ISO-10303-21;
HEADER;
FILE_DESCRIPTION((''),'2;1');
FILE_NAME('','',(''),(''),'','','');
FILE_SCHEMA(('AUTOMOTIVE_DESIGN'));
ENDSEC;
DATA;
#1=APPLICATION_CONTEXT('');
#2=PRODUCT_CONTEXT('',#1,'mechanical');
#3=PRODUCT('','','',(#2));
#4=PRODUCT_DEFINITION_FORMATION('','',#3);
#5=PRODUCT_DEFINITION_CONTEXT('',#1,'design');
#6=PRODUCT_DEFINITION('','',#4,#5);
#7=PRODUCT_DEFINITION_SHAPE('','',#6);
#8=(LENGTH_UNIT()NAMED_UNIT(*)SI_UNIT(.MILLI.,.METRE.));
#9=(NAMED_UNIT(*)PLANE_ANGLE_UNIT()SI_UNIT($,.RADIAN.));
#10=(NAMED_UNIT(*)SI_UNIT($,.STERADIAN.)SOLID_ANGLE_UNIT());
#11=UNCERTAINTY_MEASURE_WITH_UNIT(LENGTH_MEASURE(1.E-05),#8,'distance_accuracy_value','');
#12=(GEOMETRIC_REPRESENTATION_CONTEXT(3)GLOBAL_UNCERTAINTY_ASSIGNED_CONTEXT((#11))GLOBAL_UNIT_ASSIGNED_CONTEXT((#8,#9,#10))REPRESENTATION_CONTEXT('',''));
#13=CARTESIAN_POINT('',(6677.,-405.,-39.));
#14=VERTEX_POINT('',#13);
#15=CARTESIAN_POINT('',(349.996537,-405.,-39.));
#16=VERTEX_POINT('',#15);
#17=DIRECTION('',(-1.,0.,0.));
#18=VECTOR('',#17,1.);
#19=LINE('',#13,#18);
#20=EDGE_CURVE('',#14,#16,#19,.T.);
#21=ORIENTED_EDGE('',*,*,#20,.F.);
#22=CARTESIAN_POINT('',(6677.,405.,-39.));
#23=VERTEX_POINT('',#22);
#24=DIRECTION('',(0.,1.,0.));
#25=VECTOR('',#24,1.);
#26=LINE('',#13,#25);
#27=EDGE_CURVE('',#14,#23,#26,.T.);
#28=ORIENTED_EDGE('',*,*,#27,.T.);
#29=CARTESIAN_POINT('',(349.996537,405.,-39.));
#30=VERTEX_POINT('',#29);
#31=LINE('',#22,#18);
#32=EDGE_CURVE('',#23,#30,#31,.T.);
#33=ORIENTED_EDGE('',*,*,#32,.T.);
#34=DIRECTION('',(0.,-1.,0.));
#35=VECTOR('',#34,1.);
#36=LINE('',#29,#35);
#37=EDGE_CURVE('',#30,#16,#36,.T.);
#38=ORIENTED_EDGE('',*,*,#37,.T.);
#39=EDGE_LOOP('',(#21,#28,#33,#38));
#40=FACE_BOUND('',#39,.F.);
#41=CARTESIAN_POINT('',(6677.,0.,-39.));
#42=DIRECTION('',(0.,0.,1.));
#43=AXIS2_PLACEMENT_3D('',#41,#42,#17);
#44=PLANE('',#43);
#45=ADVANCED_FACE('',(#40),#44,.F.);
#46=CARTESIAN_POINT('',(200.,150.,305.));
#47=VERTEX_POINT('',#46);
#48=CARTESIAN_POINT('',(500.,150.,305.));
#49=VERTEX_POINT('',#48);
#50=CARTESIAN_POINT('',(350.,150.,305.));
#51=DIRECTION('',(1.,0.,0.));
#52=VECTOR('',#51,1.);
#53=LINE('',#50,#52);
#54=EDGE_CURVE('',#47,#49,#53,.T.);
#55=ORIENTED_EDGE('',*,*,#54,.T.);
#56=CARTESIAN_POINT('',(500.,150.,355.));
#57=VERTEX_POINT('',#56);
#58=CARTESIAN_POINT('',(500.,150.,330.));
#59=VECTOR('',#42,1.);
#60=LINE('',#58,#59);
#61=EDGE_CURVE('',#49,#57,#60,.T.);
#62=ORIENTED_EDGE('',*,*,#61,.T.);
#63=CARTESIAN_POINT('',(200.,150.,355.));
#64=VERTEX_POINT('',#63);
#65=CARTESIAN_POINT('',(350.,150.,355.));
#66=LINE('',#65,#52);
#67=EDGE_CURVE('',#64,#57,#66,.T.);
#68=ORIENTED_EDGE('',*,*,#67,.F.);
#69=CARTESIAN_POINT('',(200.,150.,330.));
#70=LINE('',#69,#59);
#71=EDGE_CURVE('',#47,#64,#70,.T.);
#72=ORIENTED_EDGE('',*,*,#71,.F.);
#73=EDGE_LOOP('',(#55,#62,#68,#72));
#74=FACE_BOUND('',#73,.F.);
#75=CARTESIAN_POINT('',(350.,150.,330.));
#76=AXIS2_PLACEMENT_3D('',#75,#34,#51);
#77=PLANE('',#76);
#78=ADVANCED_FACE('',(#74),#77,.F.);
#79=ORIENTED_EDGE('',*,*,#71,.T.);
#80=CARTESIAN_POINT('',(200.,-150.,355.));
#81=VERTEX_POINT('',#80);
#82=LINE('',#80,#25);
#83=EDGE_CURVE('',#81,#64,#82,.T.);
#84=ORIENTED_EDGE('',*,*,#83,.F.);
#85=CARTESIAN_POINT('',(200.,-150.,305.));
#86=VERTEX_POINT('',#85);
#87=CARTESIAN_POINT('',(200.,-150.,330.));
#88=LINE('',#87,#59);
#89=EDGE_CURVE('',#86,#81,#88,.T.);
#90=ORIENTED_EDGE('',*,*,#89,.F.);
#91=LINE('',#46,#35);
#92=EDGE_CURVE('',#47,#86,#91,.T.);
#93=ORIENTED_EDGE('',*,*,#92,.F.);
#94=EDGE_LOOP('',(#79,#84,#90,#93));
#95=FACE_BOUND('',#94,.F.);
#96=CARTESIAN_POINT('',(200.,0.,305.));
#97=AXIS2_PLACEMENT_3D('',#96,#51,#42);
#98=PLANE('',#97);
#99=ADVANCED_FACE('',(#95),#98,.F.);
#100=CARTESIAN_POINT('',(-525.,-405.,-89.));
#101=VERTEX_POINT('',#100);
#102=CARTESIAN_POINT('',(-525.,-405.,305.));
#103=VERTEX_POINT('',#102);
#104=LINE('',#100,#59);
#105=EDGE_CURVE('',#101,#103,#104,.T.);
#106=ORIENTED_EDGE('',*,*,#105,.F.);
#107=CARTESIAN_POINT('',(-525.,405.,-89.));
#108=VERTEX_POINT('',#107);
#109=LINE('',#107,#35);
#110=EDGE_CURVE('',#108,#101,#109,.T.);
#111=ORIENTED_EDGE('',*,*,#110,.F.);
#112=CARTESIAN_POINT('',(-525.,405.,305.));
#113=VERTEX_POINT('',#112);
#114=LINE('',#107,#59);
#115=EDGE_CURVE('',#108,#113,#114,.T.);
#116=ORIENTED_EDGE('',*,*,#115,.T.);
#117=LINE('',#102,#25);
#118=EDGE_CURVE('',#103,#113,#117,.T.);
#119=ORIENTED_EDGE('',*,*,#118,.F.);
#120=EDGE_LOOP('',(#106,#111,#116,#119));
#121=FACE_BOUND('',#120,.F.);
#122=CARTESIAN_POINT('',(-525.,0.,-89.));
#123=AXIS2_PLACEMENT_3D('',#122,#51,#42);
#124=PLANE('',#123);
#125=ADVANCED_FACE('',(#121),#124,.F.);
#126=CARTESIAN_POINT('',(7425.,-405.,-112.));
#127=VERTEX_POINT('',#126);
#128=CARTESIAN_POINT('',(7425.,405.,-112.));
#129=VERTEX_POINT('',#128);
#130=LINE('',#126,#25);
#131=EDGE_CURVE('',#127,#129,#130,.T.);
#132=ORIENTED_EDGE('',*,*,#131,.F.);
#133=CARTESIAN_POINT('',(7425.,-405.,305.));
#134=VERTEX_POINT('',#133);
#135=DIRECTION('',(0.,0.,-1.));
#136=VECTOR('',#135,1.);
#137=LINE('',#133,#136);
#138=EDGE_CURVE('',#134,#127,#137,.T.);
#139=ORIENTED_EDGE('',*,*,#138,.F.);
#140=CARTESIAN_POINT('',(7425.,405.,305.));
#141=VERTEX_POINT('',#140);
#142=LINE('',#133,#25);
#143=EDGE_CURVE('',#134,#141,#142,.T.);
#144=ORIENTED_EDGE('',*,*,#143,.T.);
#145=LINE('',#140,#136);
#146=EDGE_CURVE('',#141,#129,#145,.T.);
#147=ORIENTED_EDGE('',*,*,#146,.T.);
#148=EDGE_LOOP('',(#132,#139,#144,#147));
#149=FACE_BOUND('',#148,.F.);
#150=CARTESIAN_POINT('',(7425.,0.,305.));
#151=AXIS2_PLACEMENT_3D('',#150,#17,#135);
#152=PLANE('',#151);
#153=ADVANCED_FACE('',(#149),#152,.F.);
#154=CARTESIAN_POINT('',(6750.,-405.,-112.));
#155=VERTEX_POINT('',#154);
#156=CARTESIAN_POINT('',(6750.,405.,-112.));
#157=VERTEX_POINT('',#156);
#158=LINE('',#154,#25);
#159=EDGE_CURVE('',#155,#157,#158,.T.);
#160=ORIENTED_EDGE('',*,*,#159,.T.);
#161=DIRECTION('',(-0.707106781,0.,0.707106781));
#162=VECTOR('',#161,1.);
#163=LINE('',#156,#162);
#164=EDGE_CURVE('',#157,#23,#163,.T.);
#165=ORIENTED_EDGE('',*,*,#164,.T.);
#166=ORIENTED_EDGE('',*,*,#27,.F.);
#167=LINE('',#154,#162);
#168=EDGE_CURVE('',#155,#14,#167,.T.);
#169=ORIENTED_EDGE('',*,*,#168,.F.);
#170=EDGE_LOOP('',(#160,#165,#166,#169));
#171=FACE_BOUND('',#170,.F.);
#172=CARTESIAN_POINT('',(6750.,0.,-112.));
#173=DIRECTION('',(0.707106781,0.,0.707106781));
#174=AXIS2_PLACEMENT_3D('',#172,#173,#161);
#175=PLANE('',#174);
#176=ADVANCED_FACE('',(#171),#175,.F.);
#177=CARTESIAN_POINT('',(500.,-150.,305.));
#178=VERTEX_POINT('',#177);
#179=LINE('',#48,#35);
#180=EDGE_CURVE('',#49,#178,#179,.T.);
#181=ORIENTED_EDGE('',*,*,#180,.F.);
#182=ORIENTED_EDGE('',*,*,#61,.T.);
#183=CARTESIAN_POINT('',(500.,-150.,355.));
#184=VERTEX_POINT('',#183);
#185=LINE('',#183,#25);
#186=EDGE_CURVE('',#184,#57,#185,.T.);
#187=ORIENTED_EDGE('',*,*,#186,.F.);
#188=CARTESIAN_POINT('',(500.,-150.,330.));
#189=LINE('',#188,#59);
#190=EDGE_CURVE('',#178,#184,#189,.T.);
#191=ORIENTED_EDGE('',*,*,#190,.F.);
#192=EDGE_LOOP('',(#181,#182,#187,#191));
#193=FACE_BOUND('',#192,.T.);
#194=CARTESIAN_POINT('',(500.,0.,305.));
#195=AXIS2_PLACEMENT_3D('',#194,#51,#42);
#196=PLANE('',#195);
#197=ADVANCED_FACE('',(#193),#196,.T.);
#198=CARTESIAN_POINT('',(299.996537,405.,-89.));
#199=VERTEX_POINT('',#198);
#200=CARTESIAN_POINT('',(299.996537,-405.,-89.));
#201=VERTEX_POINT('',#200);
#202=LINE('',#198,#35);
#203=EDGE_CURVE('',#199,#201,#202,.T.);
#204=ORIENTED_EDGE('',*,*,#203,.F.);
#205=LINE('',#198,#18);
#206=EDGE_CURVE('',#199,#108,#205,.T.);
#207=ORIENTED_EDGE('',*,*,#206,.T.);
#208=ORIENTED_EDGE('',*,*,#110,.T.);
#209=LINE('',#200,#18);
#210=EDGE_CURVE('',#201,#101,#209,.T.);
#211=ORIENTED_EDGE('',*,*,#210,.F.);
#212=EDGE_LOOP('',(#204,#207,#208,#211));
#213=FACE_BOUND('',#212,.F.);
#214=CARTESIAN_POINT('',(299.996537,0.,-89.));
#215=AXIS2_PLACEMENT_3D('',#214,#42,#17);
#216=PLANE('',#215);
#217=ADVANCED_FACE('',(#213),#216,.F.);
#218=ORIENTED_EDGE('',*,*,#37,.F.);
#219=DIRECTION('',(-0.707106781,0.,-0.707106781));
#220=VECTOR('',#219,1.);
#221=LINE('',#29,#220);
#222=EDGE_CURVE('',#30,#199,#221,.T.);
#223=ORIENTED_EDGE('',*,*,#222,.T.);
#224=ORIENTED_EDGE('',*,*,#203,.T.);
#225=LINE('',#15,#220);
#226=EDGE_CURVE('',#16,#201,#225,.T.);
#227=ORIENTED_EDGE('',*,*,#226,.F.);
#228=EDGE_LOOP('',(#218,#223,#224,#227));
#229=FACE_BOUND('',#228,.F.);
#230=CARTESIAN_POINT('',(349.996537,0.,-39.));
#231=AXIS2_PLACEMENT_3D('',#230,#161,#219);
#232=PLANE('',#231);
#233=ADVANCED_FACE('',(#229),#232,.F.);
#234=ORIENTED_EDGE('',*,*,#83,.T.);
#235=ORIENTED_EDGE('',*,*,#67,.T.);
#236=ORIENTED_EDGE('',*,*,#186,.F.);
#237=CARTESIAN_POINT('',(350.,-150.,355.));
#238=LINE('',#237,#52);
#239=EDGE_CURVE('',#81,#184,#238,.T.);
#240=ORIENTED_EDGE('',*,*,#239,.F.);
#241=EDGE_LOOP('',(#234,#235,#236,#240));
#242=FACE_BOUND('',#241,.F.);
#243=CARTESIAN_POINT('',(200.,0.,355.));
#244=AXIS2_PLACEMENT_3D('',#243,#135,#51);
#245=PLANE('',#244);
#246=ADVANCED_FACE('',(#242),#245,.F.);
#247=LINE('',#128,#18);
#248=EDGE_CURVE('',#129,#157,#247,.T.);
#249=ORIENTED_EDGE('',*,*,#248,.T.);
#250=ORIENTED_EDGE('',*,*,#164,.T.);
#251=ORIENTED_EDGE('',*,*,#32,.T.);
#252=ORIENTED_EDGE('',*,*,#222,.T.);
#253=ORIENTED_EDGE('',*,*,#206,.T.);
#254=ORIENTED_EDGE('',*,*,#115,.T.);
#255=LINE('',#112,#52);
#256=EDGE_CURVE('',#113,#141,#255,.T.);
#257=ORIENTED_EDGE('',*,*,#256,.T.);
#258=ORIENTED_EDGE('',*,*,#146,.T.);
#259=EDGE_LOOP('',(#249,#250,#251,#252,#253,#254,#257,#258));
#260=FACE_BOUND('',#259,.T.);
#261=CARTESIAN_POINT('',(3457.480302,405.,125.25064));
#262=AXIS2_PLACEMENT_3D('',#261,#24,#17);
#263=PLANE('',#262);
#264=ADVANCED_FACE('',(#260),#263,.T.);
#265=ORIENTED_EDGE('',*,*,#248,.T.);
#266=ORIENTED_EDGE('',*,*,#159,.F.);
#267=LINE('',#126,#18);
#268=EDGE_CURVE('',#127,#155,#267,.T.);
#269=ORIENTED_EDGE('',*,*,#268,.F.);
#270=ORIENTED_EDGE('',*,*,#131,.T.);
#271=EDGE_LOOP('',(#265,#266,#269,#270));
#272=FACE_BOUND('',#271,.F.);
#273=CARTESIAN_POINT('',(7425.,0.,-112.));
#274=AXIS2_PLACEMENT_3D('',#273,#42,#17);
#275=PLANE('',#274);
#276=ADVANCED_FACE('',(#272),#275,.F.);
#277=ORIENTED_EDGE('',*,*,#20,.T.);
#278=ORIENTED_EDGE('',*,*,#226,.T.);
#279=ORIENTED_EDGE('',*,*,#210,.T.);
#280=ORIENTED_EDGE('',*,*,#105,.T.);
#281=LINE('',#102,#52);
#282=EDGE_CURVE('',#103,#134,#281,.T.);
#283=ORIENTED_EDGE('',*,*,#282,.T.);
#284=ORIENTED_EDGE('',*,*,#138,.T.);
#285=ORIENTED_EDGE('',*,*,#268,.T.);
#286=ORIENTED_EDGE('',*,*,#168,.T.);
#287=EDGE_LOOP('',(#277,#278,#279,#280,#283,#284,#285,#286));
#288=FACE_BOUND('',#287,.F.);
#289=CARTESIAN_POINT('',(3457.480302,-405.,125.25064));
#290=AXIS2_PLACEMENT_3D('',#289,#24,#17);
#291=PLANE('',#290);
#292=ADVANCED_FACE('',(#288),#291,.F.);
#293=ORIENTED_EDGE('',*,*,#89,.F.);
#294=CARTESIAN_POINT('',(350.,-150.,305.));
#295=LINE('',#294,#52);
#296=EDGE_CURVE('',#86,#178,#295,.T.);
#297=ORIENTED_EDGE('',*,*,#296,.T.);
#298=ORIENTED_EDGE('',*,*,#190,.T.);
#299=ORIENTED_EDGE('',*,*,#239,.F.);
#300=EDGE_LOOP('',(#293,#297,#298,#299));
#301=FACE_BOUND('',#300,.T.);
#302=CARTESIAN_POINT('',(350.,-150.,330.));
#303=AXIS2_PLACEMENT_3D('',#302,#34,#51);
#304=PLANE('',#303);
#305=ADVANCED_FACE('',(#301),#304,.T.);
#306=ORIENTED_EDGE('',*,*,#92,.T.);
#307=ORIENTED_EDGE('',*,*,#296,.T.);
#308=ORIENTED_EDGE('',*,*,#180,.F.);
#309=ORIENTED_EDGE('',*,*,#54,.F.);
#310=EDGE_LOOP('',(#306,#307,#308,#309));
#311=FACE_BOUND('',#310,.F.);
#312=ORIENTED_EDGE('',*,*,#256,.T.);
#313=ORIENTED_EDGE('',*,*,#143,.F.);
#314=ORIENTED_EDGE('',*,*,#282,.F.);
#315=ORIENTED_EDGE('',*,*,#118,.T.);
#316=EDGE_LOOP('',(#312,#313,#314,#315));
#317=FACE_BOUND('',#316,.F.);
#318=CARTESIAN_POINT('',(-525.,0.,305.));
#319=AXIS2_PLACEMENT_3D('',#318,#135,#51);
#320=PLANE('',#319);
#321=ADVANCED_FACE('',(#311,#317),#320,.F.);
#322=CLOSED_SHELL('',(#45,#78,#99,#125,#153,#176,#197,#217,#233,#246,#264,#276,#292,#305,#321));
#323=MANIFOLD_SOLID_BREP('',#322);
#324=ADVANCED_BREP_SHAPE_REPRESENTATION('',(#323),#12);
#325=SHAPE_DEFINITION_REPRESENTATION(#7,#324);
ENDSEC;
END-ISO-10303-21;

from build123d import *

# Parameters (mm, degrees)
SKETCH048_W      = 300
SKETCH048_H      = 50
EXTRUDE043_DEPTH = 150
EXTRUDE033_DEPTH = 405


with BuildPart() as extrude043:
    # Sketch048 → Extrude043 (new body, symmetric)
    with BuildSketch(Plane.XZ):
        with Locations((350, 330)):
            Rectangle(SKETCH048_W, SKETCH048_H)
    extrude(amount=EXTRUDE043_DEPTH, both=True)


with BuildPart() as fusion024:
    # Sketch036 → Extrude033 (new body, symmetric)
    with BuildSketch(Plane.XZ):
        Polygon((-525, -89), (-525, 305), (7425, 305), (7425, -112), (6750, -112), (6677, -39), (349.996537, -39), (299.996537, -89), align=None)
    extrude(amount=EXTRUDE033_DEPTH, both=True)

    # Fusion024: union Extrude043
    add(extrude043.part)


solid = fusion024.part
